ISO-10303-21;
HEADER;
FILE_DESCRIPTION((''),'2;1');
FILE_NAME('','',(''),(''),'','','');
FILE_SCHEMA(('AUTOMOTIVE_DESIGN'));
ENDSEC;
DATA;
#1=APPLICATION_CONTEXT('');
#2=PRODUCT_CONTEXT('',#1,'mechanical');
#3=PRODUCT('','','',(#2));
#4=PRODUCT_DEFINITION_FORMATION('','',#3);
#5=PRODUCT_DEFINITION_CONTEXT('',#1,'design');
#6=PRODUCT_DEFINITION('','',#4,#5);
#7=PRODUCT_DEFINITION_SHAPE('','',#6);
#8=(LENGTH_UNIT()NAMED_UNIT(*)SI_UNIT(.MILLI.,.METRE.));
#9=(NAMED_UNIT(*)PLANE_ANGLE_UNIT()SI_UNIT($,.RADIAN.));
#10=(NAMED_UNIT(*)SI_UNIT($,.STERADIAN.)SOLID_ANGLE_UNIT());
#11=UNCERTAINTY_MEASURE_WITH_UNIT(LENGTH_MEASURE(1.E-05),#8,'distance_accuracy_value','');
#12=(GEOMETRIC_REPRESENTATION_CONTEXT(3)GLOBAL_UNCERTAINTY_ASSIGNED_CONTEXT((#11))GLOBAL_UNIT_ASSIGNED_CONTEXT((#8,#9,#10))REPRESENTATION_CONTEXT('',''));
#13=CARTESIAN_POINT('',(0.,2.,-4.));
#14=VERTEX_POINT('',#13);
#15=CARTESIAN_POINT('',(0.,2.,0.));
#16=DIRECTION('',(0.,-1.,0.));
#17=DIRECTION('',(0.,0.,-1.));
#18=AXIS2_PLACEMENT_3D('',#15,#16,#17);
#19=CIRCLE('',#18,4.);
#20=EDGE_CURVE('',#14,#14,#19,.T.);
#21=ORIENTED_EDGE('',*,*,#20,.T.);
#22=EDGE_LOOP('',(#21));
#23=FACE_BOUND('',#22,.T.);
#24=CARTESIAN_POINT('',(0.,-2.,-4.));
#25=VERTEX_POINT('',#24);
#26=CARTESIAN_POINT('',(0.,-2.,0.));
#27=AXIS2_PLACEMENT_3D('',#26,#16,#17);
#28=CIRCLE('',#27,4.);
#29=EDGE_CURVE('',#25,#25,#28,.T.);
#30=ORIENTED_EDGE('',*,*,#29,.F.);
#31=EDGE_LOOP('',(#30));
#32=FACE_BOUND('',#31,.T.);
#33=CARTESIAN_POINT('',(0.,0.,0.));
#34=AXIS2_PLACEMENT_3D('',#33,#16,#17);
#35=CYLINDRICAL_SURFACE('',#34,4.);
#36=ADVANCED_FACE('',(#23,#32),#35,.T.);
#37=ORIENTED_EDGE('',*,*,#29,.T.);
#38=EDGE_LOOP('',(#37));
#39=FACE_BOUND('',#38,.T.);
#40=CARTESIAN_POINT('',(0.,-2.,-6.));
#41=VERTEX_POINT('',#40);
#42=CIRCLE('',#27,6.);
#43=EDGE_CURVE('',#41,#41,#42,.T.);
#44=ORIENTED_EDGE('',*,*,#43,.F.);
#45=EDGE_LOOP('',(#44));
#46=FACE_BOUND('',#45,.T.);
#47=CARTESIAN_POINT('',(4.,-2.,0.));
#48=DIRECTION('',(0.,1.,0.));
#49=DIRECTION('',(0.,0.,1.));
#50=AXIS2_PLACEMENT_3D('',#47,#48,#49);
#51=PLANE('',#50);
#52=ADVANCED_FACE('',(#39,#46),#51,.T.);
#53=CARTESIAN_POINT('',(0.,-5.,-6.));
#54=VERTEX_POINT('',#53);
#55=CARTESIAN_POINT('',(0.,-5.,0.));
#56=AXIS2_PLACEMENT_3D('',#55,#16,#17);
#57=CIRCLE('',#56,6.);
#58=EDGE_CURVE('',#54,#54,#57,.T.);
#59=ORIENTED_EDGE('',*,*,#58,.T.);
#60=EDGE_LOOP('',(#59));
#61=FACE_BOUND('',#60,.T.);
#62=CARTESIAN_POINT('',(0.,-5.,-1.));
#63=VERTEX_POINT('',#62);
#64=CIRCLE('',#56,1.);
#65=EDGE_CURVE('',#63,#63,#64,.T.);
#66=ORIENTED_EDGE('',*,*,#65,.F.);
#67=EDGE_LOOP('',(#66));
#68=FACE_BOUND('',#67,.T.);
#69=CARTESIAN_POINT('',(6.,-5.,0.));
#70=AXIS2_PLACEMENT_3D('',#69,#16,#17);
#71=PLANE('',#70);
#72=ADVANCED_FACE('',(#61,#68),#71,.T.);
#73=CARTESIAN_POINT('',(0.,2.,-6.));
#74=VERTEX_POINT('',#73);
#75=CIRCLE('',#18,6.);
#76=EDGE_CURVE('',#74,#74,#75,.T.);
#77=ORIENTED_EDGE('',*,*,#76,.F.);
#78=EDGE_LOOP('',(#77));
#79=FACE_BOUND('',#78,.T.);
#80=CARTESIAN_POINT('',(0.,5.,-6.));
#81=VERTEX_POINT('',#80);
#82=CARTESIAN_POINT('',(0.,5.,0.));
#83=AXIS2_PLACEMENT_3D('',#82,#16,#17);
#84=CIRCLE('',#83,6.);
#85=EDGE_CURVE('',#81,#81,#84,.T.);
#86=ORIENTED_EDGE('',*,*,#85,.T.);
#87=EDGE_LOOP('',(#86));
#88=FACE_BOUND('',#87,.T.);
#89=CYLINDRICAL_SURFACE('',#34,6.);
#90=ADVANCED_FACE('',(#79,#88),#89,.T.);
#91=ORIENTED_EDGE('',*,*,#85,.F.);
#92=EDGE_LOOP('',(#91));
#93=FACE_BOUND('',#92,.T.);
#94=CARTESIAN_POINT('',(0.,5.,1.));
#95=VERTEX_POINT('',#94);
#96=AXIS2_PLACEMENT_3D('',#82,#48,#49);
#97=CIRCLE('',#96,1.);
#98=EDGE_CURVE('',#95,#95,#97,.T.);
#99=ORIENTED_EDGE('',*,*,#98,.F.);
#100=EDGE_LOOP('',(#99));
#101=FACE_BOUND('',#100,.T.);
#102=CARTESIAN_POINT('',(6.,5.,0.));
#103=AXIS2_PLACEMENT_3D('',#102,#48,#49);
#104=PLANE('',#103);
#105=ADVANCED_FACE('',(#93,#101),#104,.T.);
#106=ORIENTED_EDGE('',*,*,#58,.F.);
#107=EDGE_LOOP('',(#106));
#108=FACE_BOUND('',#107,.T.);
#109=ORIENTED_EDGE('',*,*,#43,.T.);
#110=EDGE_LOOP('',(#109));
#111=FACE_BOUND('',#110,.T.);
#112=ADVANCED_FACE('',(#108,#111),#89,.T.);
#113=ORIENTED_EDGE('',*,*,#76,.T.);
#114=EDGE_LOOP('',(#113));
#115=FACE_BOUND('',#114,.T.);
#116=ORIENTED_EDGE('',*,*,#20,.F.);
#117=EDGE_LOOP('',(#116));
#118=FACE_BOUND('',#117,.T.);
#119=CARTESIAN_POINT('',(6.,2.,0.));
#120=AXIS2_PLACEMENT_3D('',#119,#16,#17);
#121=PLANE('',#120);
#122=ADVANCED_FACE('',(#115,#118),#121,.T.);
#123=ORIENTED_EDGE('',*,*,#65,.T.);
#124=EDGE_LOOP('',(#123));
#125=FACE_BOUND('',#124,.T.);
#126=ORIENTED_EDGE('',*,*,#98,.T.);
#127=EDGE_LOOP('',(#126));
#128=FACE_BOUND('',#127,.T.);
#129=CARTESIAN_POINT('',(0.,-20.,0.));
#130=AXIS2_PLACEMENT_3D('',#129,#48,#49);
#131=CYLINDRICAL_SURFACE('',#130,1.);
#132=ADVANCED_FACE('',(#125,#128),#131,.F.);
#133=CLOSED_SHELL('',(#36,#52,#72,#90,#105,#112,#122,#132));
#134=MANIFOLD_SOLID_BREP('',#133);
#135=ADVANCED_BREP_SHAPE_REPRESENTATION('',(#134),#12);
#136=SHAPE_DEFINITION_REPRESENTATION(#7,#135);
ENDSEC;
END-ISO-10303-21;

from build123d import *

# Parameters (mm, degrees)
CORTAR_EXTRUIR1_DEPTH      = 41.890096601
CORTAR_EXTRUIR1_DEPTH_BACK = 41.890096601
CROQUIS2_R                 = 0.5
CORTAR_EXTRUIR2_DEPTH      = 27.400757565
CORTAR_EXTRUIR2_DEPTH_BACK = 27.400757565
CROQUIS3_R                 = 1


with BuildPart() as part:
    # Croquis1 → Revolución1 (revolve)
    with BuildSketch(Plane.XY, mode=Mode.PRIVATE) as revoluci_n1_sk:
        Polygon((0.9, 20), (0.9, 5), (6, 5), (6, 2), (4, 2), (4, -2), (6, -2), (6, -5), (0.9, -5), (0.9, -20), (0, -20), (0, 20), align=None)
    revolve(revoluci_n1_sk.sketch.rotate(Axis((0, 0, 0), (0, 1, 0)), 90), axis=Axis((0, 0, 0), (0, 1, 0)))

    # Croquis2 → Cortar-Extruir1 (cut, two sides: drawn at the far end of the back side and taken through both)
    with BuildSketch(Plane(origin=(0, 20, 0), x_dir=(1, 0, 0), z_dir=(0, 1, 0)).offset(-CORTAR_EXTRUIR1_DEPTH_BACK)):
        with Locations(Location((0, 0, 0), (0, 0, 270))):
            Circle(CROQUIS2_R)
    extrude(amount=CORTAR_EXTRUIR1_DEPTH + CORTAR_EXTRUIR1_DEPTH_BACK, mode=Mode.SUBTRACT)

    # Croquis3 → Cortar-Extruir2 (cut, two sides: drawn at the far end of the back side and taken through both)
    with BuildSketch(Plane(origin=(0, 5, 0), x_dir=(1, 0, 0), z_dir=(0, 1, 0)).offset(-CORTAR_EXTRUIR2_DEPTH_BACK)):
        with Locations(Location((0, 0, 0), (0, 0, 270))):
            Circle(CROQUIS3_R)
    extrude(amount=CORTAR_EXTRUIR2_DEPTH + CORTAR_EXTRUIR2_DEPTH_BACK, mode=Mode.SUBTRACT)


solid = part.part
